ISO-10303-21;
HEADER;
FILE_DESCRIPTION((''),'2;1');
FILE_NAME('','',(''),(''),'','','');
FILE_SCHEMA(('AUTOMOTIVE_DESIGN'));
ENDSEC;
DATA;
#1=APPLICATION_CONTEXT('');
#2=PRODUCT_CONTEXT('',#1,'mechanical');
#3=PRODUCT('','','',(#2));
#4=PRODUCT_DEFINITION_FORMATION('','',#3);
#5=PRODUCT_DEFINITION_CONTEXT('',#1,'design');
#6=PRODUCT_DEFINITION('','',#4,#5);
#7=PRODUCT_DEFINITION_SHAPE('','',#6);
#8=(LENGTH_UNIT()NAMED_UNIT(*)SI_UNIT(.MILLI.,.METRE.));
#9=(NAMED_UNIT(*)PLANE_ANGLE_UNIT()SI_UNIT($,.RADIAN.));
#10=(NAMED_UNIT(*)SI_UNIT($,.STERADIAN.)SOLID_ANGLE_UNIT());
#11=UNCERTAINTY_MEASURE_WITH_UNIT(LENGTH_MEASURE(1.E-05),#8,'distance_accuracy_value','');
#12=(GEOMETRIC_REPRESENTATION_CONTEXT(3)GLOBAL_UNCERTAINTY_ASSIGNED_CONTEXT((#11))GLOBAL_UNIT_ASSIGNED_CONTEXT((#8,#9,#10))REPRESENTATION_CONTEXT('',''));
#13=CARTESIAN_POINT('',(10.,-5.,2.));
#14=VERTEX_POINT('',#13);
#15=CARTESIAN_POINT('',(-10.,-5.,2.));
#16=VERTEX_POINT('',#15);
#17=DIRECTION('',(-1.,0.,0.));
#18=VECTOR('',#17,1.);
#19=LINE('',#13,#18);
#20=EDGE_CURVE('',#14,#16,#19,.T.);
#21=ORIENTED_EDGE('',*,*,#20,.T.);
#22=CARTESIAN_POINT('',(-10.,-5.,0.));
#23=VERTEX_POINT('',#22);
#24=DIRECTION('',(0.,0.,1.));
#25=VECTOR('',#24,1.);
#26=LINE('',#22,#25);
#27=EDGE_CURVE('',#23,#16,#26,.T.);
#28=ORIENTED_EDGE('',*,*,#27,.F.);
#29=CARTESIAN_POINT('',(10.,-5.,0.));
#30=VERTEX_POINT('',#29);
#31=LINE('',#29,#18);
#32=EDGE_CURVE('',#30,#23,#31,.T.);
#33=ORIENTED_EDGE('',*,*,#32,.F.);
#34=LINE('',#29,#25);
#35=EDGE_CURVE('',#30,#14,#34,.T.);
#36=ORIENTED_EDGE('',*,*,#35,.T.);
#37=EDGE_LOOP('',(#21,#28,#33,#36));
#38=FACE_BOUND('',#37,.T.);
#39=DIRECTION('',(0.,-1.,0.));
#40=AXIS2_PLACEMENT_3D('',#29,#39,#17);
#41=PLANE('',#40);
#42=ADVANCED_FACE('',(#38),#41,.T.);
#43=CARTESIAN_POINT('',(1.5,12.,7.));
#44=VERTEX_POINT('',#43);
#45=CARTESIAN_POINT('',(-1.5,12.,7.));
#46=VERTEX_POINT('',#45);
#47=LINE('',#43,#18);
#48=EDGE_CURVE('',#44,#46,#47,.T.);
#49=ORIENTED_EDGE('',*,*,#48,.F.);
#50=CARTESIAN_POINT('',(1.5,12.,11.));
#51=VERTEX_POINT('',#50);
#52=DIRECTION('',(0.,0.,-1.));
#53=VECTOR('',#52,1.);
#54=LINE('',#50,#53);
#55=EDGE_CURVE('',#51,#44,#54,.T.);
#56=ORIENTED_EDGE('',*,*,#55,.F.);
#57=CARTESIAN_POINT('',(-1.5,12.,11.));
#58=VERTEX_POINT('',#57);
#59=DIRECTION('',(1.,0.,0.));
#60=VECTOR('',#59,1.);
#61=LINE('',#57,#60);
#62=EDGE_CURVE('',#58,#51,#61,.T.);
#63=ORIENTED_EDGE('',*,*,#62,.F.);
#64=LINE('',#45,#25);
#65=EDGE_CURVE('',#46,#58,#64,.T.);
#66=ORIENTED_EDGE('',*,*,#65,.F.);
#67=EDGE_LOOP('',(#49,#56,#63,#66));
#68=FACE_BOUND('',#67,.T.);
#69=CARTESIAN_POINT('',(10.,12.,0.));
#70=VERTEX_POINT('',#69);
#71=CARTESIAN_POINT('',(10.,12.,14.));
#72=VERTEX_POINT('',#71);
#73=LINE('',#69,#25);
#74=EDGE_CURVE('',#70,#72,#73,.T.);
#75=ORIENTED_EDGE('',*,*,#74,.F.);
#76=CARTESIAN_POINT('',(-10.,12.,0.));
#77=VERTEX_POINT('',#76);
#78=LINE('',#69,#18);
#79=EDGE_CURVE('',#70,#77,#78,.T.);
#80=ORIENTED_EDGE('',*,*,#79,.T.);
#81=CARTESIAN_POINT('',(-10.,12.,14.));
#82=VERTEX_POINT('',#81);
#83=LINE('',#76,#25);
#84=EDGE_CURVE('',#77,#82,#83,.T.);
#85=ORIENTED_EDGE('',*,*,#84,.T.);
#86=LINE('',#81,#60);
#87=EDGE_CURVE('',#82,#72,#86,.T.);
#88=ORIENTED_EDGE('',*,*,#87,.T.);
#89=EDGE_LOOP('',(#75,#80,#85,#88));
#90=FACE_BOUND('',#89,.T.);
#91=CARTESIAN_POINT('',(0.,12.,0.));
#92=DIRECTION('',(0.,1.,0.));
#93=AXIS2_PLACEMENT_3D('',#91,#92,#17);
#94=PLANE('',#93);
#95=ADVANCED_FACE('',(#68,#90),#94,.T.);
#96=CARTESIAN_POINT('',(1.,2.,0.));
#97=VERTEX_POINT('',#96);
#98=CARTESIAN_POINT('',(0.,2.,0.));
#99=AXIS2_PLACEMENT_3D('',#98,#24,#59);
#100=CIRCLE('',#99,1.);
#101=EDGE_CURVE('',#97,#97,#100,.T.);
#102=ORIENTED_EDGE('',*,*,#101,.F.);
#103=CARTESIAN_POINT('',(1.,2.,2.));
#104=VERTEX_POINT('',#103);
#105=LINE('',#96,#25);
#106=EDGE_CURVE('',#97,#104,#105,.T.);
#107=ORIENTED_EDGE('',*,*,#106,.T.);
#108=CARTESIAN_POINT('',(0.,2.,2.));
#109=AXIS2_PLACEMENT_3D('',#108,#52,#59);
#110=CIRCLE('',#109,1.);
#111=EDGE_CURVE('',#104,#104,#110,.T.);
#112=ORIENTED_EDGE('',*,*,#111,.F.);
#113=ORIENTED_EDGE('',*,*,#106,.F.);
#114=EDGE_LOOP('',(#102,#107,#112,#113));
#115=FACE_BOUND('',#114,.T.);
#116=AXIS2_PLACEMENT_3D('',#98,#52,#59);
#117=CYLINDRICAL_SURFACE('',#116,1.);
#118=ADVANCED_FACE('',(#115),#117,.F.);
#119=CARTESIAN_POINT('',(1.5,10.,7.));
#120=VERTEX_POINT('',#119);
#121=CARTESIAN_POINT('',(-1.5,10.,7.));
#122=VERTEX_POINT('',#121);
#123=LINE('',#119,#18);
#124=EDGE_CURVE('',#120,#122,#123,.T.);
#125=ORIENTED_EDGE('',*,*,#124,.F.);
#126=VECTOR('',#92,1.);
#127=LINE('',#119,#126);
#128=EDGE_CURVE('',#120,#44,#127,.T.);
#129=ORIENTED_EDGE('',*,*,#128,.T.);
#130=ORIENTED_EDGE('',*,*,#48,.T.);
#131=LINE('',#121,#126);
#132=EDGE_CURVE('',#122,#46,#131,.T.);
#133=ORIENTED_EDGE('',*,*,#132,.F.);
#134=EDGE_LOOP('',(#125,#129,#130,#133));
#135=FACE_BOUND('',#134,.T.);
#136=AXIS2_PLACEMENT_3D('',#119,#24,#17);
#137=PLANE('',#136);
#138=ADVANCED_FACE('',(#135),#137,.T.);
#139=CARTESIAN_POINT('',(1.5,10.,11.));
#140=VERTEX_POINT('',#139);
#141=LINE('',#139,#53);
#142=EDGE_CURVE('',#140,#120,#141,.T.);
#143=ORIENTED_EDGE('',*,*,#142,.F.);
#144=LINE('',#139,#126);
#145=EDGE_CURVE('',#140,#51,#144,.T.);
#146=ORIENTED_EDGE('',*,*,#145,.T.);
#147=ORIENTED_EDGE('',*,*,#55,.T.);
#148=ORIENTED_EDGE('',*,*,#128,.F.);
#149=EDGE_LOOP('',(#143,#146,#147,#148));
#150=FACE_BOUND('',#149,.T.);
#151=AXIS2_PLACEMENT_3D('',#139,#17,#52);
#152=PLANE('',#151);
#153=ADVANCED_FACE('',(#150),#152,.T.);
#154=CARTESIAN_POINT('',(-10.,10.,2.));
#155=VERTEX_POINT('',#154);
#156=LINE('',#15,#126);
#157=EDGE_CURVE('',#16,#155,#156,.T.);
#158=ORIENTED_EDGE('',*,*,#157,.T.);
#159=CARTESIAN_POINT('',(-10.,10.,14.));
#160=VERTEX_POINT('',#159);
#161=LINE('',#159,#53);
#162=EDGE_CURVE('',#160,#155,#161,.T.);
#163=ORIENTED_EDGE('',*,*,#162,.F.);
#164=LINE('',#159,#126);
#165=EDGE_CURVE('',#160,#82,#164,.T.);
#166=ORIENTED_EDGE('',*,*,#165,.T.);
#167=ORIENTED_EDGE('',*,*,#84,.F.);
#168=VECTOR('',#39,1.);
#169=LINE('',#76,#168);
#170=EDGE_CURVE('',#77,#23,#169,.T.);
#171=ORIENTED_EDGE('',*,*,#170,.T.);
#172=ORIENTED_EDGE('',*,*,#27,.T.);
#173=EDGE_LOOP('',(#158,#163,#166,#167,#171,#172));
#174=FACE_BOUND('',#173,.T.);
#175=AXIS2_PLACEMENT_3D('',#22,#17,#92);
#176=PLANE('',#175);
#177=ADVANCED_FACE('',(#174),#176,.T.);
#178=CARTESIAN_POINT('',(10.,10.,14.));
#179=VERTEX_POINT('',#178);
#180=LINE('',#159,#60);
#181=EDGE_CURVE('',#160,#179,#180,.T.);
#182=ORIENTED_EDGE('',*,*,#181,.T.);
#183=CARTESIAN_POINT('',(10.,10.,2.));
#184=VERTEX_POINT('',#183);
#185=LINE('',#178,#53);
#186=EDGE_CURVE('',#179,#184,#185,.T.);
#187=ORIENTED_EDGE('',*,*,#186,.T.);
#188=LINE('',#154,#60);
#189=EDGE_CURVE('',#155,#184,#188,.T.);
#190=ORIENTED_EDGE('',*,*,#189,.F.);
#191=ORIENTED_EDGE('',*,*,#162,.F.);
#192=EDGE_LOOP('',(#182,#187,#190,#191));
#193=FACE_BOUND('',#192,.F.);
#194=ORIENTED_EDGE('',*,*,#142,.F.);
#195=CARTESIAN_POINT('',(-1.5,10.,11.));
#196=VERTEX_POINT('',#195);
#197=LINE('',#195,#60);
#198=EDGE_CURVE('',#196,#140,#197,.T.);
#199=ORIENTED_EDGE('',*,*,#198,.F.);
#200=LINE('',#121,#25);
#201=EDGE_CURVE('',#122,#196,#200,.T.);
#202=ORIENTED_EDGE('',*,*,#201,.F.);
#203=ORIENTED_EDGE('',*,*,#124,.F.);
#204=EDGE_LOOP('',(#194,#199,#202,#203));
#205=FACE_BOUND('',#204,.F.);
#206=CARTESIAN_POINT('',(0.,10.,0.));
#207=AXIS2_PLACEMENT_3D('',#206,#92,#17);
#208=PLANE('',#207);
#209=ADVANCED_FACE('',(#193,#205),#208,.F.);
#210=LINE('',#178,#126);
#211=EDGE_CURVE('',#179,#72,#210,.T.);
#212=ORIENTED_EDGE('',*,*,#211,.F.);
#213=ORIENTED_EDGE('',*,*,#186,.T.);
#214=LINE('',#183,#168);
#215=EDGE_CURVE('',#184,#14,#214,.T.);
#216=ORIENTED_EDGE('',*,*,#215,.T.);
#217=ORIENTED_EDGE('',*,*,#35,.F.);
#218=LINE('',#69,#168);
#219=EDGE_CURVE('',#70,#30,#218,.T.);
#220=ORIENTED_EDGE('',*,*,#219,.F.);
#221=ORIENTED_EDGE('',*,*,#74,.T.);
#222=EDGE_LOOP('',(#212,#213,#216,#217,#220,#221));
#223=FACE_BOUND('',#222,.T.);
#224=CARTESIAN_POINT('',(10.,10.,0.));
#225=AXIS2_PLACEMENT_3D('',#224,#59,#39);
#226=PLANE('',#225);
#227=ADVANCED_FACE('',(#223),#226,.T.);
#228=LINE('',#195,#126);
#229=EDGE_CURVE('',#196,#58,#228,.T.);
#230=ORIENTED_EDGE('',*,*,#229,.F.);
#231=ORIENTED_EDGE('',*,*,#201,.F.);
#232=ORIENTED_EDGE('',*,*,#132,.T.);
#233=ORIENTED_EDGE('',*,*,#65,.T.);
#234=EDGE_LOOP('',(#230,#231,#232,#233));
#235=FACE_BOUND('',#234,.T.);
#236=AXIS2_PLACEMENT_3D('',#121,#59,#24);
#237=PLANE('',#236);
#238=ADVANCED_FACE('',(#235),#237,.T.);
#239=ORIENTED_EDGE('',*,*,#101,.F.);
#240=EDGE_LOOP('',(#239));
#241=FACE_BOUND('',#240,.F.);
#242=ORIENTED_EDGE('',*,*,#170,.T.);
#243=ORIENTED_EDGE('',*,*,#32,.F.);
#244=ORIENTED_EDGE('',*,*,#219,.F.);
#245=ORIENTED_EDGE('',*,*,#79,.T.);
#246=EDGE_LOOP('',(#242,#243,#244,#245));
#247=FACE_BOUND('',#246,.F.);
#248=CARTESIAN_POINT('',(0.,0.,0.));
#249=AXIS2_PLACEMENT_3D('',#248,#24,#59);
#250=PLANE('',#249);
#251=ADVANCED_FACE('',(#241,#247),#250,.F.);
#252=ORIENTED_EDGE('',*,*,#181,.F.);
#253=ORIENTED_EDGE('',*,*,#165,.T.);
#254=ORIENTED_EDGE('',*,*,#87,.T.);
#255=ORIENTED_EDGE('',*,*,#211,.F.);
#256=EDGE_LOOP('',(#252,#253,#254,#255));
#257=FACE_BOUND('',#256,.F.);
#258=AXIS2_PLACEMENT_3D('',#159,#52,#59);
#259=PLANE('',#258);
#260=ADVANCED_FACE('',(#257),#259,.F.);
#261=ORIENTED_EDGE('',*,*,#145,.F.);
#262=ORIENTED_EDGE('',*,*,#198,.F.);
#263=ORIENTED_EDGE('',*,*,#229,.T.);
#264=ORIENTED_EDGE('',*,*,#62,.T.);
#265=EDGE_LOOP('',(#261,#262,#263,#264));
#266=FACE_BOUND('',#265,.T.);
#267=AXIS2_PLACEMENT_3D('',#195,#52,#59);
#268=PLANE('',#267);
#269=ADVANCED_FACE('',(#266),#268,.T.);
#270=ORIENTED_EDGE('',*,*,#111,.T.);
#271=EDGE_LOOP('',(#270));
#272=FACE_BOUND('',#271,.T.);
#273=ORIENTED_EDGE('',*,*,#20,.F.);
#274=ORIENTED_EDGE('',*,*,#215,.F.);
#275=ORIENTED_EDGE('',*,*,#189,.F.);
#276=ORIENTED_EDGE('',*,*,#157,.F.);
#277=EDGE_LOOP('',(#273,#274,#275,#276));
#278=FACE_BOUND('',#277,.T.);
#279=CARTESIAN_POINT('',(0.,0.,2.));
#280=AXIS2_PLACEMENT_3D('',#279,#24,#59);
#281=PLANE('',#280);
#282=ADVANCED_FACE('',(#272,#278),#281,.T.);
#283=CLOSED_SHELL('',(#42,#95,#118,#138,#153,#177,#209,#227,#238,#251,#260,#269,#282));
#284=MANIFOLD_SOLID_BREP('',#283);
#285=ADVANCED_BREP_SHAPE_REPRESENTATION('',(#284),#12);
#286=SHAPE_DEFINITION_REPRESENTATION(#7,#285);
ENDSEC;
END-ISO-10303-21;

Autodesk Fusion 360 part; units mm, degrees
sketch "Szkic1" plane through (0, 0, 0) normal (0, 0, 1) x (1, 0, 0)
  line L0 (-10, 10) -> (10, 10)
  line L1 (10, 10) -> (10, -5)
  line L2 (10, -5) -> (-10, -5)
  line L3 (-10, -5) -> (-10, 10)
  circle A0 centre (0, 2) radius 1
  dimension "d1" = 15
  dimension "d10" = 2
extrude "Wyciągnięcie proste1" add sketch "Szkic1" along normal blind 2 contours L0 L1 L2 L3 | A0
sketch "Szkic2" plane through (0, 10, 0) normal (0, 1, 0) x (-1, 0, 0)
  line L0 (-10, 0) -> (10, 0)
  line L1 (10, 0) -> (10, 2)
  line L2 (10, 2) -> (-10, 2)
  line L3 (-10, 2) -> (-10, 0)
  line L4 (-10, 0) -> (10, 0)
  line L5 (10, 0) -> (10, 14)
  line L6 (10, 14) -> (-10, 14)
  line L7 (-10, 14) -> (-10, 0)
  line L8 (1.5, 11) -> (-1.5, 11)
  line L9 (-1.5, 11) -> (-1.5, 7)
  line L10 (-1.5, 7) -> (1.5, 7)
  line L11 (1.5, 7) -> (1.5, 11)
  dimension "d4" = 8.5
  dimension "d5" = 3
  dimension "d6" = 20
  dimension "d7" = 3
extrude "Wyciągnięcie proste2" add sketch "Szkic2" along normal blind 2
extrude "Wyciągnięcie proste3" cut sketch "Szkic1" along normal blind 3 contours A0
